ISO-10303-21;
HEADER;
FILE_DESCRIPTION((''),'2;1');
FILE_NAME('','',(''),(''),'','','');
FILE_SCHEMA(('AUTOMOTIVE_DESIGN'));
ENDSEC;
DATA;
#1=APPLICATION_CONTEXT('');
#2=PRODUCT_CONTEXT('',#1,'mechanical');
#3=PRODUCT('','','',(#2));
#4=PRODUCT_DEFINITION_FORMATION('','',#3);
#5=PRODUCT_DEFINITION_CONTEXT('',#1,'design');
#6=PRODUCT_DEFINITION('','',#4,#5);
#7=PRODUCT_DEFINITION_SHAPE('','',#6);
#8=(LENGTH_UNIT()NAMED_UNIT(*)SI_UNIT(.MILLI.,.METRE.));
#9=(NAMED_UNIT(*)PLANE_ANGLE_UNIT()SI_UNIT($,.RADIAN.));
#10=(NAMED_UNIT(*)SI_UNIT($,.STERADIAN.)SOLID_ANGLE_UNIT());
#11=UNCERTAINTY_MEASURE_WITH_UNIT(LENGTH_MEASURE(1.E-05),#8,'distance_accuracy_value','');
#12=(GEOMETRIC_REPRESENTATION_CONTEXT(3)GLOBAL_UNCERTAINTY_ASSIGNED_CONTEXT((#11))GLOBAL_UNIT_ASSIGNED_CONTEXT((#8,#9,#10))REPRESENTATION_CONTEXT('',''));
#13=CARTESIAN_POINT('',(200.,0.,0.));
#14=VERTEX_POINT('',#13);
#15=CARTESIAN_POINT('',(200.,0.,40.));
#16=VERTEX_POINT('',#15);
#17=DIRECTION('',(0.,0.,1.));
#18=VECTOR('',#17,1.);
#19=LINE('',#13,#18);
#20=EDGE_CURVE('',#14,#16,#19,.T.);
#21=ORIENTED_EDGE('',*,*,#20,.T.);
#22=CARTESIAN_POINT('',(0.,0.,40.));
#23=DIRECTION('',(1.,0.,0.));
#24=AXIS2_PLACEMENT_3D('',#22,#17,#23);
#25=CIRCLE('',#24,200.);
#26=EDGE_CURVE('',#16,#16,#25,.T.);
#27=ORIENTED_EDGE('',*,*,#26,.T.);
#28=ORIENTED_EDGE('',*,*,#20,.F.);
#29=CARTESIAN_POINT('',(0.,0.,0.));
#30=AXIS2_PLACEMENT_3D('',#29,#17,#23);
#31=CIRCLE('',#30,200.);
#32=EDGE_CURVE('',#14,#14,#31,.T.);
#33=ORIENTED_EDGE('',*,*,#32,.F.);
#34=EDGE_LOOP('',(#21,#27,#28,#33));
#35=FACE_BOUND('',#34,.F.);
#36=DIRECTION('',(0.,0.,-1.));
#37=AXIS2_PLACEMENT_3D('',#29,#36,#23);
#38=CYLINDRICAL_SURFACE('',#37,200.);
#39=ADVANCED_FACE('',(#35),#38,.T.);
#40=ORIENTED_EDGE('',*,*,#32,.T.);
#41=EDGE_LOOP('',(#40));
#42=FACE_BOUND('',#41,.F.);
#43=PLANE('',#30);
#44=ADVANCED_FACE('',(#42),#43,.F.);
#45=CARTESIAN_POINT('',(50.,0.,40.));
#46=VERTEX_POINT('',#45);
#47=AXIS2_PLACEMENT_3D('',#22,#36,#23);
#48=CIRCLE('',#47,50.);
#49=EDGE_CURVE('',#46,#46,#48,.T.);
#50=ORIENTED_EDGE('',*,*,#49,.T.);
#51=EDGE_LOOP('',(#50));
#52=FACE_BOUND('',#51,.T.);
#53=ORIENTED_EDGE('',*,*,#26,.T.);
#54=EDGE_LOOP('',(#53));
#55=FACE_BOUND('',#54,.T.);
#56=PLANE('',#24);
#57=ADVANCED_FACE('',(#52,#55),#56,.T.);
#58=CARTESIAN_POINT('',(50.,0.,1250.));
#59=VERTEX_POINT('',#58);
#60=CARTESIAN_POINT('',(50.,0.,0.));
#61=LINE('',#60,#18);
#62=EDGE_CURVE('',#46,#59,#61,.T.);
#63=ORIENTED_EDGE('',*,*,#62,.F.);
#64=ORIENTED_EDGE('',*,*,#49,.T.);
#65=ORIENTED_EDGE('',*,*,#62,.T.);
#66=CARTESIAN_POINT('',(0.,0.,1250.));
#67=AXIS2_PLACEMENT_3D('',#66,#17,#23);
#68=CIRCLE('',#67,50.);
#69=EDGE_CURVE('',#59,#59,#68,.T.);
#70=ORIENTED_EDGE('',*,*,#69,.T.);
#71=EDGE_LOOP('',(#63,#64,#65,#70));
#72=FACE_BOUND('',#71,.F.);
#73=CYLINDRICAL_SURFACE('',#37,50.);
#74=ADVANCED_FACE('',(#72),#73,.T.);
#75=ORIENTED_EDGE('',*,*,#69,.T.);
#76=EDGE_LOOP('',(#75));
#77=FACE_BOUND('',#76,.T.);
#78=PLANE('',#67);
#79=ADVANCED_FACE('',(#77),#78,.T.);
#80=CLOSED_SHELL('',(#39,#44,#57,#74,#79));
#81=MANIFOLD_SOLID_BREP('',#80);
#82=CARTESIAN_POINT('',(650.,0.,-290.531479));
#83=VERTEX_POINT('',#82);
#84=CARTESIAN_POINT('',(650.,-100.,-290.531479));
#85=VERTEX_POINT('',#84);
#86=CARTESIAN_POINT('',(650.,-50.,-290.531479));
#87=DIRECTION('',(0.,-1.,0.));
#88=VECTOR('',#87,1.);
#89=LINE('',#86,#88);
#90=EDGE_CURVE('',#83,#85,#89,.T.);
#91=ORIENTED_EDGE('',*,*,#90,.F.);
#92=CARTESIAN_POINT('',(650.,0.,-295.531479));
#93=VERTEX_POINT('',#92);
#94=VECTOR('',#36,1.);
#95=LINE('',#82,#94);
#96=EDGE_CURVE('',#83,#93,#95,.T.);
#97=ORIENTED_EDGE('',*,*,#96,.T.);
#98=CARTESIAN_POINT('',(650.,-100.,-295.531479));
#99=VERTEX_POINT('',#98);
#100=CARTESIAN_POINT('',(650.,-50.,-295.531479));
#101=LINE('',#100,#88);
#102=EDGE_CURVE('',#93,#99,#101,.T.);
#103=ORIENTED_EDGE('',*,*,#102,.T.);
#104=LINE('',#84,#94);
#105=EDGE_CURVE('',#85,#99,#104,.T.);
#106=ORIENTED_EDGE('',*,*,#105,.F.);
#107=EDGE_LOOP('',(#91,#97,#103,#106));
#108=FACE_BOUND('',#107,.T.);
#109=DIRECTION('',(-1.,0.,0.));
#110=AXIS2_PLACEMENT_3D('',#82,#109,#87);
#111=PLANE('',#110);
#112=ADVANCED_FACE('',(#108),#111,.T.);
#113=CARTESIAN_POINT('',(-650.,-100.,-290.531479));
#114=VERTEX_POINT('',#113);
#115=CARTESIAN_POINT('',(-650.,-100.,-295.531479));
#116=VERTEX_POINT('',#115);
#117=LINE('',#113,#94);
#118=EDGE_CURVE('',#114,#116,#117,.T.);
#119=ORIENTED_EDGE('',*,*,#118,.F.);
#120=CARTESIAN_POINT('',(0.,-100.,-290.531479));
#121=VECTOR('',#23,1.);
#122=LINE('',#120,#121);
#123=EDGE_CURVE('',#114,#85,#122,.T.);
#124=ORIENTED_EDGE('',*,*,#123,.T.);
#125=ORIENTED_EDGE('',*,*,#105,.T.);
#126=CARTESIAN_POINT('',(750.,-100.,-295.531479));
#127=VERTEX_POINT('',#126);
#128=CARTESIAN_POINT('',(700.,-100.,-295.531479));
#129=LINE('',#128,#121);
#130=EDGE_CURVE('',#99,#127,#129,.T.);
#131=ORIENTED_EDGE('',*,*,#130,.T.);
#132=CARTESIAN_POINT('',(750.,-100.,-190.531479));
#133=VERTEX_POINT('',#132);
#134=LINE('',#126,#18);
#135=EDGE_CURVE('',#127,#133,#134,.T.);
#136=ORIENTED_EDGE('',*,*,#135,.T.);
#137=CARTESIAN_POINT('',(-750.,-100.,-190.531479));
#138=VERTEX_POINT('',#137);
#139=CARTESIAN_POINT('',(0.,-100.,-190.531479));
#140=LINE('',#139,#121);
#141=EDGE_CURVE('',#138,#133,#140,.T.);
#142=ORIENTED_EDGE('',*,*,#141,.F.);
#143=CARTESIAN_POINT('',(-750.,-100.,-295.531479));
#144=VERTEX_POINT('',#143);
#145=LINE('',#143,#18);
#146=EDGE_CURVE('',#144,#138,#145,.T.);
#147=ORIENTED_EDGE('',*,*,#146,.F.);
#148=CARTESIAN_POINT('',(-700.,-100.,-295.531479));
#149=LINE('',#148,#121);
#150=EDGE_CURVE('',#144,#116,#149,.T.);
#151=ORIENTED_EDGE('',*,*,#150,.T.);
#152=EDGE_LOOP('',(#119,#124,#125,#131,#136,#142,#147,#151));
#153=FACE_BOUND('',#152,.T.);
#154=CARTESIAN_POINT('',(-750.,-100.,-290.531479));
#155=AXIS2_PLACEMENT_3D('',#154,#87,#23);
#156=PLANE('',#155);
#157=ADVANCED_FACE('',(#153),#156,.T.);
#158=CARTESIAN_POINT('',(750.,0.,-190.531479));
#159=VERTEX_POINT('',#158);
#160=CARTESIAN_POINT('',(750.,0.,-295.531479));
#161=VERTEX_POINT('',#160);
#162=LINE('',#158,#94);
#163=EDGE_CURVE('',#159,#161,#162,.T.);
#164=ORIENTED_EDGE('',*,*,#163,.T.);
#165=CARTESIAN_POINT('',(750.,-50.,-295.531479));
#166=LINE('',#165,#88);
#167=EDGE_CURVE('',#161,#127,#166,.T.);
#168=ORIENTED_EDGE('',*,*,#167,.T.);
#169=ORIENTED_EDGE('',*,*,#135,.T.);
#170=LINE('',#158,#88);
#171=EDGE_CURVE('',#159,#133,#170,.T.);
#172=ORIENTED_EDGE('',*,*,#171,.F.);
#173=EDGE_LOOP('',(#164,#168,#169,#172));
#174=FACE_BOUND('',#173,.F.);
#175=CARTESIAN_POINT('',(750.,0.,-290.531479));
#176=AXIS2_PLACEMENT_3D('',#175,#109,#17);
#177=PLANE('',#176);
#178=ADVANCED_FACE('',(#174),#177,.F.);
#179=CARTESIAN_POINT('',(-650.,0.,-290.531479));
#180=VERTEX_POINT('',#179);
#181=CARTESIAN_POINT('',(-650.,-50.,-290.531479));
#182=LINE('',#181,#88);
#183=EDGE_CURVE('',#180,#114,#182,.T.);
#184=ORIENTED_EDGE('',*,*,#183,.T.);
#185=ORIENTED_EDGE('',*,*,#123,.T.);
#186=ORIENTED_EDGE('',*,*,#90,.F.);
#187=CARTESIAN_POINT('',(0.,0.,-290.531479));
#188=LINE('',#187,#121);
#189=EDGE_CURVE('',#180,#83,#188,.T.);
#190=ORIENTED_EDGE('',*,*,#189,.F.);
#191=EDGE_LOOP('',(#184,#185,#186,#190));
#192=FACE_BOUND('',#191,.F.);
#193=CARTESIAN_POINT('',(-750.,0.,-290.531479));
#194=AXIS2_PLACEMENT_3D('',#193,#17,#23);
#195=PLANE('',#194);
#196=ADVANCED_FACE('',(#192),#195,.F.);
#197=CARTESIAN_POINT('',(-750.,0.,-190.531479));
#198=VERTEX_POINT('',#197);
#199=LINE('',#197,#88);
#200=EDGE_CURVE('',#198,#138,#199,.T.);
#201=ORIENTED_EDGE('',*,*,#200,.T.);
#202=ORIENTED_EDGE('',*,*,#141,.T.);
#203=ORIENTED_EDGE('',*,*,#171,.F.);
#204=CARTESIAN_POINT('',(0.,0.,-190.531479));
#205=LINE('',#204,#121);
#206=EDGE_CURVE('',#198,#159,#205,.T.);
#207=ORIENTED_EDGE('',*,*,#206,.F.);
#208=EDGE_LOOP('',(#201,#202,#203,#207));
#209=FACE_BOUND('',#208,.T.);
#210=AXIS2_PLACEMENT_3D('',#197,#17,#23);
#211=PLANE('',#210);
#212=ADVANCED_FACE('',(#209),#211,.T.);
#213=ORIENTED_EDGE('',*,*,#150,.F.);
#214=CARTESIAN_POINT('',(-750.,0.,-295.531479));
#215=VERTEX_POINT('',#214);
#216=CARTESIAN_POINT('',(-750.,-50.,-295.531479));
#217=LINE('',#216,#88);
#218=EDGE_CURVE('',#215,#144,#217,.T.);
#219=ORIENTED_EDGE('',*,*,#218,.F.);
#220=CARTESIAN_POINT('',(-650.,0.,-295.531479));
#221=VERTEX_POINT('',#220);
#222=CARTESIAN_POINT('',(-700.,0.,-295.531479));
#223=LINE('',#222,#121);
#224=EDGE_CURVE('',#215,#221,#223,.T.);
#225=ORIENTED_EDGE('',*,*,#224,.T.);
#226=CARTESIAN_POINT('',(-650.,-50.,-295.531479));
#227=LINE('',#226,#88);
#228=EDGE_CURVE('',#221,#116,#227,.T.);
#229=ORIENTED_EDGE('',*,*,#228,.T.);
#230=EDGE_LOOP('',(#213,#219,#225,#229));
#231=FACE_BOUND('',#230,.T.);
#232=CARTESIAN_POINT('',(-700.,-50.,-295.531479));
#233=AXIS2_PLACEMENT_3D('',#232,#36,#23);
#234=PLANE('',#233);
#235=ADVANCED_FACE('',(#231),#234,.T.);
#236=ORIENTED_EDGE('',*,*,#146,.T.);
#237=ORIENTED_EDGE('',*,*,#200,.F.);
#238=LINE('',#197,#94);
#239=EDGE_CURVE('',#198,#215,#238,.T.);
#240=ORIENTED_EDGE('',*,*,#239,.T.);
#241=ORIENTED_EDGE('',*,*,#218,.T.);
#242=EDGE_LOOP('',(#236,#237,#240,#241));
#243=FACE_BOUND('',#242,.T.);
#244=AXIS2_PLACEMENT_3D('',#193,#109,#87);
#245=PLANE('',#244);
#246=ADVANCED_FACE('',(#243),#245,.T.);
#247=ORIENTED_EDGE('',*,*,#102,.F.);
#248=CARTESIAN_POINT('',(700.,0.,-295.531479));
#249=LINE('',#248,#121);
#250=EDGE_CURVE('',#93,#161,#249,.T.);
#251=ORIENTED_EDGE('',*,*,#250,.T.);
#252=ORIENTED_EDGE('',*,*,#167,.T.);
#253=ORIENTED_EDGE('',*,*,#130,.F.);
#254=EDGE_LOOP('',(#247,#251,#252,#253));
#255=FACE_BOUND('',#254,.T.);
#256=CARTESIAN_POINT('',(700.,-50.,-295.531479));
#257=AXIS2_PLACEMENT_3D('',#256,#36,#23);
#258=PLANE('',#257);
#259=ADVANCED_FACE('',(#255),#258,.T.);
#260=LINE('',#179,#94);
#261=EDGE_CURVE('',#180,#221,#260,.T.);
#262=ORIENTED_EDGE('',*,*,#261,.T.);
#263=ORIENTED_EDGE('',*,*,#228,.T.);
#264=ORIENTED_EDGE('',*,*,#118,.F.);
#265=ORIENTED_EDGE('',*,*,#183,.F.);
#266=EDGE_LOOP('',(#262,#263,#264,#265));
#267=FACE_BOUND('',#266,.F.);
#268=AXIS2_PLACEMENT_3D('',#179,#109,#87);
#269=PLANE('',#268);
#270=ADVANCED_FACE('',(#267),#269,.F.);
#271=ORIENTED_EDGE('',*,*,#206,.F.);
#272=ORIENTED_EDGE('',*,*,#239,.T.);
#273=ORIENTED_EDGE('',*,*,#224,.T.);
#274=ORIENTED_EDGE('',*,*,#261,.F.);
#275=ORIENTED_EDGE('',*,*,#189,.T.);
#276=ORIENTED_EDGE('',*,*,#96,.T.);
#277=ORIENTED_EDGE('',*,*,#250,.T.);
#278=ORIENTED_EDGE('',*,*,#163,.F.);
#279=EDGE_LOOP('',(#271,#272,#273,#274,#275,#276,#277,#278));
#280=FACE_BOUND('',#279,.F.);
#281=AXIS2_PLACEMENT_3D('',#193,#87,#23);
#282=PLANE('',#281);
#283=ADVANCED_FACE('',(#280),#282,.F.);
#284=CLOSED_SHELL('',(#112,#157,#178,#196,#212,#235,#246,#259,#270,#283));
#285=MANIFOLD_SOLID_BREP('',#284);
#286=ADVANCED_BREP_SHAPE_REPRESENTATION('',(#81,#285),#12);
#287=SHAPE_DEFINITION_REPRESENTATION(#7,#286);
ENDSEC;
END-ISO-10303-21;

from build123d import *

# Parameters (mm, degrees)
F0_R     = 200
F0_R_2   = 50
F1_DEPTH = 40
F2_DEPTH = 1250
F3_W     = 1500
F3_H     = 100
F4_DEPTH = 100
F5_W     = 100
F5_H     = 100
F6_DEPTH = 5


with BuildPart() as f1:
    # F0 (on Top) → F1 (new body)
    with BuildSketch(Plane.XY):
        Circle(F0_R)
        Circle(F0_R_2, mode=Mode.SUBTRACT)
        Circle(F0_R_2)
    extrude(amount=F1_DEPTH)

    # F0 (on Top) → F2 (join)
    with BuildSketch(Plane.XY):
        Circle(F0_R_2)
    extrude(amount=F2_DEPTH)


with BuildPart() as f4:
    # F3 (on Front) → F4 (new body)
    with BuildSketch(Plane.XZ):
        with Locations((0, -240.531479)):
            Rectangle(F3_W, F3_H)
    extrude(amount=F4_DEPTH)

    # F5 (on face) → F6 (join)
    with BuildSketch(Plane(origin=(0, 0, -290.531479), x_dir=(1, 0, 0), z_dir=(0, 0, -1))):
        with Locations((-700, 50)):
            Rectangle(F5_W, F5_H)
        with Locations((700, 50)):
            Rectangle(F5_W, F5_H)
    extrude(amount=F6_DEPTH)


solid = Compound([f1.part, f4.part])
